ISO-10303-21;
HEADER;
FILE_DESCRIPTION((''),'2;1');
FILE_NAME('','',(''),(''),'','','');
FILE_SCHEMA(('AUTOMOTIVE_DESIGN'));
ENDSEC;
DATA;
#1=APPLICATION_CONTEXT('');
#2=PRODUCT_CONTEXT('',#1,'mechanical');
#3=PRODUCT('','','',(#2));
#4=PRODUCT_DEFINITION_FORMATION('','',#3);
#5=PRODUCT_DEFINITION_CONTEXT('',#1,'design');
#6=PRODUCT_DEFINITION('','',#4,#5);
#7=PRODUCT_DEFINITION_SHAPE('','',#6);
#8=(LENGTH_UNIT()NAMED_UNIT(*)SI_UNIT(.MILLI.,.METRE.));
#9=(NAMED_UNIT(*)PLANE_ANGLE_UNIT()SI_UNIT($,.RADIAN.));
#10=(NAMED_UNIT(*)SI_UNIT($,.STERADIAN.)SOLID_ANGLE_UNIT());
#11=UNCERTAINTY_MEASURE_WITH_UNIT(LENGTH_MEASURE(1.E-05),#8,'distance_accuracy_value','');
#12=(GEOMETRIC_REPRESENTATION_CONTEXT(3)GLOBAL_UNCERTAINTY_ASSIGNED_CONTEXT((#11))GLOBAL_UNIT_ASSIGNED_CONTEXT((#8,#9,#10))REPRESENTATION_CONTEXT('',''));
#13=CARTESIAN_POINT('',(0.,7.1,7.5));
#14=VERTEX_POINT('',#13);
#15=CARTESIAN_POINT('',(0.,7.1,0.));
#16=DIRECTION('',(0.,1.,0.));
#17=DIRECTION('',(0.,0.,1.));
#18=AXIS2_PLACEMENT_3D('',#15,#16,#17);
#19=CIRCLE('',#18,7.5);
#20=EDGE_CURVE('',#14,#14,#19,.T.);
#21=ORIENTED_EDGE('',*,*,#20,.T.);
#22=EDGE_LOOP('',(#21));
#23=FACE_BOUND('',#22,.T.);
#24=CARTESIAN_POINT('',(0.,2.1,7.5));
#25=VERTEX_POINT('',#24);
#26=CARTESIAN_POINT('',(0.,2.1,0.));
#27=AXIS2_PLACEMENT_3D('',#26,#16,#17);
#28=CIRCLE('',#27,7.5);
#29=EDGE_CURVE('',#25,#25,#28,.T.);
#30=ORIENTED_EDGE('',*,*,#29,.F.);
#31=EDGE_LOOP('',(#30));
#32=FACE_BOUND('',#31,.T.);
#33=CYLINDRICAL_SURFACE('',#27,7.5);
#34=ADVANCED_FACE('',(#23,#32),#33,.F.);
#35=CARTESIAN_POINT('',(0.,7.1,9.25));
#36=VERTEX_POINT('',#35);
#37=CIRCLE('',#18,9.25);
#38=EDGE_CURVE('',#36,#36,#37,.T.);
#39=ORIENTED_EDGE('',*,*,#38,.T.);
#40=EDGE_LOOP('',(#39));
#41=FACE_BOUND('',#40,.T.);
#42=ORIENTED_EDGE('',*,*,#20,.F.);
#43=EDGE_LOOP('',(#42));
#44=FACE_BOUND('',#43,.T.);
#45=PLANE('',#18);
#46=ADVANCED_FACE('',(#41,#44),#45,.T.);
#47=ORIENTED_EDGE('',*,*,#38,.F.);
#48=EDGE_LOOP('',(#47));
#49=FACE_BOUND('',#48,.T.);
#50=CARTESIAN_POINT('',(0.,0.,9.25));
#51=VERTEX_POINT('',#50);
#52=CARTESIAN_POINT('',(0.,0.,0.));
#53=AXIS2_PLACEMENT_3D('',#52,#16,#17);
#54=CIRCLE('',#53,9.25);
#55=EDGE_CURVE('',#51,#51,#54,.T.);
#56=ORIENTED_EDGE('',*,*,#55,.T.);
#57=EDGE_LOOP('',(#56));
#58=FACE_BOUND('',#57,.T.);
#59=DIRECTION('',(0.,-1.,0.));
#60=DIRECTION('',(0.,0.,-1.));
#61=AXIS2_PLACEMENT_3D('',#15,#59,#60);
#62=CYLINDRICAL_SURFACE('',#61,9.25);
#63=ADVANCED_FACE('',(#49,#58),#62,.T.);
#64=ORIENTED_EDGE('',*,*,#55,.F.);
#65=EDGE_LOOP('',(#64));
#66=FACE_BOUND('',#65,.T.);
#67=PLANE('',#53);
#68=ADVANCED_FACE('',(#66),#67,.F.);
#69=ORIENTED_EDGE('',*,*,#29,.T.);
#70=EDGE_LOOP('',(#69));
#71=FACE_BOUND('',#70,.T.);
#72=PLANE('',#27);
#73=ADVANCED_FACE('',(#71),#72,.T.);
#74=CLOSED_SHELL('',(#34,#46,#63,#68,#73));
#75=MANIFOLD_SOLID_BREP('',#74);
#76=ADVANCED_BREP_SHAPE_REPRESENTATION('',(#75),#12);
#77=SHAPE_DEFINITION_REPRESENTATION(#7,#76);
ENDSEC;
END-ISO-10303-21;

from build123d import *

# Parameters (mm, degrees)
SKETCH1_R           = 9.25
BOSS_EXTRUDE1_DEPTH = 7.1
SKETCH2_R           = 7.5
CUT_EXTRUDE1_DEPTH  = 5


with BuildPart() as part:
    # Sketch1 → Boss-Extrude1 (new body)
    with BuildSketch(Plane(origin=(0, 0, 0), x_dir=(1, 0, 0), z_dir=(0, 1, 0))):
        with Locations(Location((0, 0, 0), (0, 0, 270))):
            Circle(SKETCH1_R)
    extrude(amount=BOSS_EXTRUDE1_DEPTH)

    # Sketch2 → Cut-Extrude1 (cut)
    with BuildSketch(Plane(origin=(0, 7.1, 0), x_dir=(1, 0, 0), z_dir=(0, 1, 0))):
        with Locations(Location((0, 0, 0), (0, 0, 270))):
            Circle(SKETCH2_R)
    extrude(amount=-CUT_EXTRUDE1_DEPTH, mode=Mode.SUBTRACT)


solid = part.part
